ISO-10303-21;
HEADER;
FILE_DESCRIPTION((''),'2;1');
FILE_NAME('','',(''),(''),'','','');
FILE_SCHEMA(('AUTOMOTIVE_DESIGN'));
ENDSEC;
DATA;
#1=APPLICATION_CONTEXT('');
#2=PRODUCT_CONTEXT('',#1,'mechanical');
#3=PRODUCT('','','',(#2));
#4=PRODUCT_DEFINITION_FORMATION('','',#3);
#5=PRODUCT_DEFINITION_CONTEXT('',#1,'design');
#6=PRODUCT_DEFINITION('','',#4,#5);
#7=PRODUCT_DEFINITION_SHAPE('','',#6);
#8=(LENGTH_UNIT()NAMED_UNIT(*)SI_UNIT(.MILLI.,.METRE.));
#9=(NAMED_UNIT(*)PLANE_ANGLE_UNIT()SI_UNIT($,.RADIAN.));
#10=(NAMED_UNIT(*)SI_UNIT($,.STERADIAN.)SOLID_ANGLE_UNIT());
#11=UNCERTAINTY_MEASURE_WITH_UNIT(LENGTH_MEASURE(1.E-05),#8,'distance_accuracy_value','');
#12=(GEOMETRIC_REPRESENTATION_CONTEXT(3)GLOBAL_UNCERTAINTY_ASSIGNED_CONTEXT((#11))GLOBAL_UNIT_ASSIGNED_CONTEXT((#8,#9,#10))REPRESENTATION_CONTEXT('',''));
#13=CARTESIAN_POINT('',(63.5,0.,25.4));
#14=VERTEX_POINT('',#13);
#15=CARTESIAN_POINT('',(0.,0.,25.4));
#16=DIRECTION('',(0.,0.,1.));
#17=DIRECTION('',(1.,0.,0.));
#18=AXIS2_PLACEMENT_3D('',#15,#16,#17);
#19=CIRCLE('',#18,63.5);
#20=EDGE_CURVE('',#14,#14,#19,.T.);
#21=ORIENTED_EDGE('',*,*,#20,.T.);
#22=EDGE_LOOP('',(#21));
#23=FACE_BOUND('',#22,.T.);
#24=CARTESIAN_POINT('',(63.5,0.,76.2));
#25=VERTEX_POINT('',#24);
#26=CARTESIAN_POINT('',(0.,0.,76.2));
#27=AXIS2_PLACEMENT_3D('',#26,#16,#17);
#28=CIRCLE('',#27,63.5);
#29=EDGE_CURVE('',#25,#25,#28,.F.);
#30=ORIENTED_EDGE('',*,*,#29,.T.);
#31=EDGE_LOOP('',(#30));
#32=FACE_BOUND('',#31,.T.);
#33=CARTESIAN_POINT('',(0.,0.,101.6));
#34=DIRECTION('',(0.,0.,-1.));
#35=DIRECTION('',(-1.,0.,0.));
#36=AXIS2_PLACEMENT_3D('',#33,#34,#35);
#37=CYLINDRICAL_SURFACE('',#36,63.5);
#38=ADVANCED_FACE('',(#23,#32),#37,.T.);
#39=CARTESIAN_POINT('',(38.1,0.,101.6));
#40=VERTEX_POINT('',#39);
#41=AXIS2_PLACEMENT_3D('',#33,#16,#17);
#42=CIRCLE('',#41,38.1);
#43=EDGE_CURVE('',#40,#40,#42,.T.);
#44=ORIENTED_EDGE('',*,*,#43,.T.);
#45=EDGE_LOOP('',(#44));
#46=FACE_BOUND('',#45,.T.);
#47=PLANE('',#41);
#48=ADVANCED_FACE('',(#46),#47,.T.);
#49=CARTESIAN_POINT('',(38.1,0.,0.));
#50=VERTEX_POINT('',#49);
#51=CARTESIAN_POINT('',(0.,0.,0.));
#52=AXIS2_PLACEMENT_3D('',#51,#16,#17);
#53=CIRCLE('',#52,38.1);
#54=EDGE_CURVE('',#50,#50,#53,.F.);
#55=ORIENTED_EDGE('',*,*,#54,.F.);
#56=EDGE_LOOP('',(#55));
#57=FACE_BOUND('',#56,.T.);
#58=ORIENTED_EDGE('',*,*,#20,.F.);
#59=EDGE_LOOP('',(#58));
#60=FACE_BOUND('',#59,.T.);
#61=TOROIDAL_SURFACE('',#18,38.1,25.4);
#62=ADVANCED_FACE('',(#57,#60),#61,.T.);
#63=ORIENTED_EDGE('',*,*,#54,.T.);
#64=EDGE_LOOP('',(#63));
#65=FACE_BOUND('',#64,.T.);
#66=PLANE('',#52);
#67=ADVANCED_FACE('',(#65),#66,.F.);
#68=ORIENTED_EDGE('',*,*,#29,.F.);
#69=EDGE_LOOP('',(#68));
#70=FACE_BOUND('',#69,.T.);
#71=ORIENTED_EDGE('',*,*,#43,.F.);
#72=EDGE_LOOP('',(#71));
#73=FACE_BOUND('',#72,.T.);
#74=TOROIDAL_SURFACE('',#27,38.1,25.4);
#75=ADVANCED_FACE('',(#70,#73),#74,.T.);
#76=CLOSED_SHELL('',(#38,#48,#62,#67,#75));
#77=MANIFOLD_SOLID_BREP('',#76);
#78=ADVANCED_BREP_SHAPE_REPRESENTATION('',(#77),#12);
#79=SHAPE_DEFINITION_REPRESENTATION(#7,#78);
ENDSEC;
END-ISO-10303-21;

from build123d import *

# Parameters (mm, degrees)
ESQUISSE1_R        = 63.5
BOSS_EXTRU_1_DEPTH = 101.6
CONG_1_R           = 25.4


with BuildPart() as part:
    # Esquisse1 → Boss.-Extru.1 (new body)
    with BuildSketch(Plane.XY):
        Circle(ESQUISSE1_R)
    extrude(amount=BOSS_EXTRU_1_DEPTH)

    # Congé1
    cong_1_edges = [part.edges().sort_by_distance(p)[0] for p in [
        (-63.5, 0, 0),
        (-63.5, 0, 101.6),
    ]]
    fillet(cong_1_edges, radius=CONG_1_R)


solid = part.part
